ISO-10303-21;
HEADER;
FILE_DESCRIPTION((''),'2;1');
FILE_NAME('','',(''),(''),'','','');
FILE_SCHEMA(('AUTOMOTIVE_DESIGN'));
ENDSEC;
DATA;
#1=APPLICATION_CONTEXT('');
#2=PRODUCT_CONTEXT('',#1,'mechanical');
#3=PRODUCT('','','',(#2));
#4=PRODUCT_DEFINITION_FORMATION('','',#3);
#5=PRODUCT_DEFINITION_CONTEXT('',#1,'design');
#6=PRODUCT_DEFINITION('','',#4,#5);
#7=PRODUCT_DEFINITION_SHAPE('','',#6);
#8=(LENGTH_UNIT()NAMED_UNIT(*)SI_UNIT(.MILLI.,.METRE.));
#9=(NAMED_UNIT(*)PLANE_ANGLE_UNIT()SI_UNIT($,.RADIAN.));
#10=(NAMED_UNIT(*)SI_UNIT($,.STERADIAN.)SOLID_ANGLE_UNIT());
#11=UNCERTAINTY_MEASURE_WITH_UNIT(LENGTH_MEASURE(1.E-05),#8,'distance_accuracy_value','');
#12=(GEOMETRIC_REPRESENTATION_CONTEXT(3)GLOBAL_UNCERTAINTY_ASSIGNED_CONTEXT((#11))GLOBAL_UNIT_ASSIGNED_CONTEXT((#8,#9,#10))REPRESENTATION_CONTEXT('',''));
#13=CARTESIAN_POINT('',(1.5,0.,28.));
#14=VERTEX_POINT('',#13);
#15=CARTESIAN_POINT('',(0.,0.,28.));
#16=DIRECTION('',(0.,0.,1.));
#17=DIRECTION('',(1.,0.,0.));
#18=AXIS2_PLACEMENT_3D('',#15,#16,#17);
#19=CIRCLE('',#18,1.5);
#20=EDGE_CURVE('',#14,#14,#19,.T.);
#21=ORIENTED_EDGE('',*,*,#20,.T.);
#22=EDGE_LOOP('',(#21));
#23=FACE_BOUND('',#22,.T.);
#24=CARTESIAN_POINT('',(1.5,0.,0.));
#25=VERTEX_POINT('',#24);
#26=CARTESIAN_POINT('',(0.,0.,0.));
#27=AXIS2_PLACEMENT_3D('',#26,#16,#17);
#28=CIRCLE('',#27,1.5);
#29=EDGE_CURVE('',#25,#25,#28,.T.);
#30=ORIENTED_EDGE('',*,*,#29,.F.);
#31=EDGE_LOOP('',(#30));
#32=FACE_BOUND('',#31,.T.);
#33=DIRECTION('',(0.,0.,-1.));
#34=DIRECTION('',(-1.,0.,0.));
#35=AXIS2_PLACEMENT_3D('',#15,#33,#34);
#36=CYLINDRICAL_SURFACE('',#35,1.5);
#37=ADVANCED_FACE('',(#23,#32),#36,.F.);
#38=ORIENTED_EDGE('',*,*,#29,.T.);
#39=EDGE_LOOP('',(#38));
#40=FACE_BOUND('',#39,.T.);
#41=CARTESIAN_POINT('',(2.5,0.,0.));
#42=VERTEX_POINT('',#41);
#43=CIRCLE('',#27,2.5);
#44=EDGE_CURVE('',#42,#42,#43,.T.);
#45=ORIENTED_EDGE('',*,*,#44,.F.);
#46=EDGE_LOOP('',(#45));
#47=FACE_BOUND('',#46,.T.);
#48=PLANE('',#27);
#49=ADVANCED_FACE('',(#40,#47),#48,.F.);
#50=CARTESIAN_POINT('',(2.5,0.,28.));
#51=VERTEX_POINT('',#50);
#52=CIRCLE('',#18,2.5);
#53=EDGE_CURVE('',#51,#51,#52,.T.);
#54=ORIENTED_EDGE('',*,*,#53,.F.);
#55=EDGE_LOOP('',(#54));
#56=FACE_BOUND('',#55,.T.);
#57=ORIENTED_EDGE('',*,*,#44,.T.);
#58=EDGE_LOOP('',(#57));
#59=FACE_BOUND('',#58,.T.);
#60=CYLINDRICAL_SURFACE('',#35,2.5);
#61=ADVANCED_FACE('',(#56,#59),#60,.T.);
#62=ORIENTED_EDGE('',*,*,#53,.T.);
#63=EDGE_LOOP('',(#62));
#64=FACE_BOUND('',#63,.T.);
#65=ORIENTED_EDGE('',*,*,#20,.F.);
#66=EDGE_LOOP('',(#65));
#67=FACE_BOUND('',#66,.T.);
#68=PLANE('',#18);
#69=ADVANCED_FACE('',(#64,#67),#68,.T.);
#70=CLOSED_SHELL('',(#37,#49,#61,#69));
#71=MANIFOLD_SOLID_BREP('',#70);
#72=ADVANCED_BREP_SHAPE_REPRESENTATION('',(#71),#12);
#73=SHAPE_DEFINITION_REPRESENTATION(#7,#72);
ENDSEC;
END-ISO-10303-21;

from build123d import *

# Parameters (mm, degrees)
CROQUIS1_R              = 2.5
CROQUIS1_R_2            = 1.5
SALIENTE_EXTRUIR1_DEPTH = 28


with BuildPart() as part:
    # Croquis1 → Saliente-Extruir1 (new body)
    with BuildSketch(Plane.XY):
        Circle(CROQUIS1_R)
        Circle(CROQUIS1_R_2, mode=Mode.SUBTRACT)
    extrude(amount=SALIENTE_EXTRUIR1_DEPTH)


solid = part.part
